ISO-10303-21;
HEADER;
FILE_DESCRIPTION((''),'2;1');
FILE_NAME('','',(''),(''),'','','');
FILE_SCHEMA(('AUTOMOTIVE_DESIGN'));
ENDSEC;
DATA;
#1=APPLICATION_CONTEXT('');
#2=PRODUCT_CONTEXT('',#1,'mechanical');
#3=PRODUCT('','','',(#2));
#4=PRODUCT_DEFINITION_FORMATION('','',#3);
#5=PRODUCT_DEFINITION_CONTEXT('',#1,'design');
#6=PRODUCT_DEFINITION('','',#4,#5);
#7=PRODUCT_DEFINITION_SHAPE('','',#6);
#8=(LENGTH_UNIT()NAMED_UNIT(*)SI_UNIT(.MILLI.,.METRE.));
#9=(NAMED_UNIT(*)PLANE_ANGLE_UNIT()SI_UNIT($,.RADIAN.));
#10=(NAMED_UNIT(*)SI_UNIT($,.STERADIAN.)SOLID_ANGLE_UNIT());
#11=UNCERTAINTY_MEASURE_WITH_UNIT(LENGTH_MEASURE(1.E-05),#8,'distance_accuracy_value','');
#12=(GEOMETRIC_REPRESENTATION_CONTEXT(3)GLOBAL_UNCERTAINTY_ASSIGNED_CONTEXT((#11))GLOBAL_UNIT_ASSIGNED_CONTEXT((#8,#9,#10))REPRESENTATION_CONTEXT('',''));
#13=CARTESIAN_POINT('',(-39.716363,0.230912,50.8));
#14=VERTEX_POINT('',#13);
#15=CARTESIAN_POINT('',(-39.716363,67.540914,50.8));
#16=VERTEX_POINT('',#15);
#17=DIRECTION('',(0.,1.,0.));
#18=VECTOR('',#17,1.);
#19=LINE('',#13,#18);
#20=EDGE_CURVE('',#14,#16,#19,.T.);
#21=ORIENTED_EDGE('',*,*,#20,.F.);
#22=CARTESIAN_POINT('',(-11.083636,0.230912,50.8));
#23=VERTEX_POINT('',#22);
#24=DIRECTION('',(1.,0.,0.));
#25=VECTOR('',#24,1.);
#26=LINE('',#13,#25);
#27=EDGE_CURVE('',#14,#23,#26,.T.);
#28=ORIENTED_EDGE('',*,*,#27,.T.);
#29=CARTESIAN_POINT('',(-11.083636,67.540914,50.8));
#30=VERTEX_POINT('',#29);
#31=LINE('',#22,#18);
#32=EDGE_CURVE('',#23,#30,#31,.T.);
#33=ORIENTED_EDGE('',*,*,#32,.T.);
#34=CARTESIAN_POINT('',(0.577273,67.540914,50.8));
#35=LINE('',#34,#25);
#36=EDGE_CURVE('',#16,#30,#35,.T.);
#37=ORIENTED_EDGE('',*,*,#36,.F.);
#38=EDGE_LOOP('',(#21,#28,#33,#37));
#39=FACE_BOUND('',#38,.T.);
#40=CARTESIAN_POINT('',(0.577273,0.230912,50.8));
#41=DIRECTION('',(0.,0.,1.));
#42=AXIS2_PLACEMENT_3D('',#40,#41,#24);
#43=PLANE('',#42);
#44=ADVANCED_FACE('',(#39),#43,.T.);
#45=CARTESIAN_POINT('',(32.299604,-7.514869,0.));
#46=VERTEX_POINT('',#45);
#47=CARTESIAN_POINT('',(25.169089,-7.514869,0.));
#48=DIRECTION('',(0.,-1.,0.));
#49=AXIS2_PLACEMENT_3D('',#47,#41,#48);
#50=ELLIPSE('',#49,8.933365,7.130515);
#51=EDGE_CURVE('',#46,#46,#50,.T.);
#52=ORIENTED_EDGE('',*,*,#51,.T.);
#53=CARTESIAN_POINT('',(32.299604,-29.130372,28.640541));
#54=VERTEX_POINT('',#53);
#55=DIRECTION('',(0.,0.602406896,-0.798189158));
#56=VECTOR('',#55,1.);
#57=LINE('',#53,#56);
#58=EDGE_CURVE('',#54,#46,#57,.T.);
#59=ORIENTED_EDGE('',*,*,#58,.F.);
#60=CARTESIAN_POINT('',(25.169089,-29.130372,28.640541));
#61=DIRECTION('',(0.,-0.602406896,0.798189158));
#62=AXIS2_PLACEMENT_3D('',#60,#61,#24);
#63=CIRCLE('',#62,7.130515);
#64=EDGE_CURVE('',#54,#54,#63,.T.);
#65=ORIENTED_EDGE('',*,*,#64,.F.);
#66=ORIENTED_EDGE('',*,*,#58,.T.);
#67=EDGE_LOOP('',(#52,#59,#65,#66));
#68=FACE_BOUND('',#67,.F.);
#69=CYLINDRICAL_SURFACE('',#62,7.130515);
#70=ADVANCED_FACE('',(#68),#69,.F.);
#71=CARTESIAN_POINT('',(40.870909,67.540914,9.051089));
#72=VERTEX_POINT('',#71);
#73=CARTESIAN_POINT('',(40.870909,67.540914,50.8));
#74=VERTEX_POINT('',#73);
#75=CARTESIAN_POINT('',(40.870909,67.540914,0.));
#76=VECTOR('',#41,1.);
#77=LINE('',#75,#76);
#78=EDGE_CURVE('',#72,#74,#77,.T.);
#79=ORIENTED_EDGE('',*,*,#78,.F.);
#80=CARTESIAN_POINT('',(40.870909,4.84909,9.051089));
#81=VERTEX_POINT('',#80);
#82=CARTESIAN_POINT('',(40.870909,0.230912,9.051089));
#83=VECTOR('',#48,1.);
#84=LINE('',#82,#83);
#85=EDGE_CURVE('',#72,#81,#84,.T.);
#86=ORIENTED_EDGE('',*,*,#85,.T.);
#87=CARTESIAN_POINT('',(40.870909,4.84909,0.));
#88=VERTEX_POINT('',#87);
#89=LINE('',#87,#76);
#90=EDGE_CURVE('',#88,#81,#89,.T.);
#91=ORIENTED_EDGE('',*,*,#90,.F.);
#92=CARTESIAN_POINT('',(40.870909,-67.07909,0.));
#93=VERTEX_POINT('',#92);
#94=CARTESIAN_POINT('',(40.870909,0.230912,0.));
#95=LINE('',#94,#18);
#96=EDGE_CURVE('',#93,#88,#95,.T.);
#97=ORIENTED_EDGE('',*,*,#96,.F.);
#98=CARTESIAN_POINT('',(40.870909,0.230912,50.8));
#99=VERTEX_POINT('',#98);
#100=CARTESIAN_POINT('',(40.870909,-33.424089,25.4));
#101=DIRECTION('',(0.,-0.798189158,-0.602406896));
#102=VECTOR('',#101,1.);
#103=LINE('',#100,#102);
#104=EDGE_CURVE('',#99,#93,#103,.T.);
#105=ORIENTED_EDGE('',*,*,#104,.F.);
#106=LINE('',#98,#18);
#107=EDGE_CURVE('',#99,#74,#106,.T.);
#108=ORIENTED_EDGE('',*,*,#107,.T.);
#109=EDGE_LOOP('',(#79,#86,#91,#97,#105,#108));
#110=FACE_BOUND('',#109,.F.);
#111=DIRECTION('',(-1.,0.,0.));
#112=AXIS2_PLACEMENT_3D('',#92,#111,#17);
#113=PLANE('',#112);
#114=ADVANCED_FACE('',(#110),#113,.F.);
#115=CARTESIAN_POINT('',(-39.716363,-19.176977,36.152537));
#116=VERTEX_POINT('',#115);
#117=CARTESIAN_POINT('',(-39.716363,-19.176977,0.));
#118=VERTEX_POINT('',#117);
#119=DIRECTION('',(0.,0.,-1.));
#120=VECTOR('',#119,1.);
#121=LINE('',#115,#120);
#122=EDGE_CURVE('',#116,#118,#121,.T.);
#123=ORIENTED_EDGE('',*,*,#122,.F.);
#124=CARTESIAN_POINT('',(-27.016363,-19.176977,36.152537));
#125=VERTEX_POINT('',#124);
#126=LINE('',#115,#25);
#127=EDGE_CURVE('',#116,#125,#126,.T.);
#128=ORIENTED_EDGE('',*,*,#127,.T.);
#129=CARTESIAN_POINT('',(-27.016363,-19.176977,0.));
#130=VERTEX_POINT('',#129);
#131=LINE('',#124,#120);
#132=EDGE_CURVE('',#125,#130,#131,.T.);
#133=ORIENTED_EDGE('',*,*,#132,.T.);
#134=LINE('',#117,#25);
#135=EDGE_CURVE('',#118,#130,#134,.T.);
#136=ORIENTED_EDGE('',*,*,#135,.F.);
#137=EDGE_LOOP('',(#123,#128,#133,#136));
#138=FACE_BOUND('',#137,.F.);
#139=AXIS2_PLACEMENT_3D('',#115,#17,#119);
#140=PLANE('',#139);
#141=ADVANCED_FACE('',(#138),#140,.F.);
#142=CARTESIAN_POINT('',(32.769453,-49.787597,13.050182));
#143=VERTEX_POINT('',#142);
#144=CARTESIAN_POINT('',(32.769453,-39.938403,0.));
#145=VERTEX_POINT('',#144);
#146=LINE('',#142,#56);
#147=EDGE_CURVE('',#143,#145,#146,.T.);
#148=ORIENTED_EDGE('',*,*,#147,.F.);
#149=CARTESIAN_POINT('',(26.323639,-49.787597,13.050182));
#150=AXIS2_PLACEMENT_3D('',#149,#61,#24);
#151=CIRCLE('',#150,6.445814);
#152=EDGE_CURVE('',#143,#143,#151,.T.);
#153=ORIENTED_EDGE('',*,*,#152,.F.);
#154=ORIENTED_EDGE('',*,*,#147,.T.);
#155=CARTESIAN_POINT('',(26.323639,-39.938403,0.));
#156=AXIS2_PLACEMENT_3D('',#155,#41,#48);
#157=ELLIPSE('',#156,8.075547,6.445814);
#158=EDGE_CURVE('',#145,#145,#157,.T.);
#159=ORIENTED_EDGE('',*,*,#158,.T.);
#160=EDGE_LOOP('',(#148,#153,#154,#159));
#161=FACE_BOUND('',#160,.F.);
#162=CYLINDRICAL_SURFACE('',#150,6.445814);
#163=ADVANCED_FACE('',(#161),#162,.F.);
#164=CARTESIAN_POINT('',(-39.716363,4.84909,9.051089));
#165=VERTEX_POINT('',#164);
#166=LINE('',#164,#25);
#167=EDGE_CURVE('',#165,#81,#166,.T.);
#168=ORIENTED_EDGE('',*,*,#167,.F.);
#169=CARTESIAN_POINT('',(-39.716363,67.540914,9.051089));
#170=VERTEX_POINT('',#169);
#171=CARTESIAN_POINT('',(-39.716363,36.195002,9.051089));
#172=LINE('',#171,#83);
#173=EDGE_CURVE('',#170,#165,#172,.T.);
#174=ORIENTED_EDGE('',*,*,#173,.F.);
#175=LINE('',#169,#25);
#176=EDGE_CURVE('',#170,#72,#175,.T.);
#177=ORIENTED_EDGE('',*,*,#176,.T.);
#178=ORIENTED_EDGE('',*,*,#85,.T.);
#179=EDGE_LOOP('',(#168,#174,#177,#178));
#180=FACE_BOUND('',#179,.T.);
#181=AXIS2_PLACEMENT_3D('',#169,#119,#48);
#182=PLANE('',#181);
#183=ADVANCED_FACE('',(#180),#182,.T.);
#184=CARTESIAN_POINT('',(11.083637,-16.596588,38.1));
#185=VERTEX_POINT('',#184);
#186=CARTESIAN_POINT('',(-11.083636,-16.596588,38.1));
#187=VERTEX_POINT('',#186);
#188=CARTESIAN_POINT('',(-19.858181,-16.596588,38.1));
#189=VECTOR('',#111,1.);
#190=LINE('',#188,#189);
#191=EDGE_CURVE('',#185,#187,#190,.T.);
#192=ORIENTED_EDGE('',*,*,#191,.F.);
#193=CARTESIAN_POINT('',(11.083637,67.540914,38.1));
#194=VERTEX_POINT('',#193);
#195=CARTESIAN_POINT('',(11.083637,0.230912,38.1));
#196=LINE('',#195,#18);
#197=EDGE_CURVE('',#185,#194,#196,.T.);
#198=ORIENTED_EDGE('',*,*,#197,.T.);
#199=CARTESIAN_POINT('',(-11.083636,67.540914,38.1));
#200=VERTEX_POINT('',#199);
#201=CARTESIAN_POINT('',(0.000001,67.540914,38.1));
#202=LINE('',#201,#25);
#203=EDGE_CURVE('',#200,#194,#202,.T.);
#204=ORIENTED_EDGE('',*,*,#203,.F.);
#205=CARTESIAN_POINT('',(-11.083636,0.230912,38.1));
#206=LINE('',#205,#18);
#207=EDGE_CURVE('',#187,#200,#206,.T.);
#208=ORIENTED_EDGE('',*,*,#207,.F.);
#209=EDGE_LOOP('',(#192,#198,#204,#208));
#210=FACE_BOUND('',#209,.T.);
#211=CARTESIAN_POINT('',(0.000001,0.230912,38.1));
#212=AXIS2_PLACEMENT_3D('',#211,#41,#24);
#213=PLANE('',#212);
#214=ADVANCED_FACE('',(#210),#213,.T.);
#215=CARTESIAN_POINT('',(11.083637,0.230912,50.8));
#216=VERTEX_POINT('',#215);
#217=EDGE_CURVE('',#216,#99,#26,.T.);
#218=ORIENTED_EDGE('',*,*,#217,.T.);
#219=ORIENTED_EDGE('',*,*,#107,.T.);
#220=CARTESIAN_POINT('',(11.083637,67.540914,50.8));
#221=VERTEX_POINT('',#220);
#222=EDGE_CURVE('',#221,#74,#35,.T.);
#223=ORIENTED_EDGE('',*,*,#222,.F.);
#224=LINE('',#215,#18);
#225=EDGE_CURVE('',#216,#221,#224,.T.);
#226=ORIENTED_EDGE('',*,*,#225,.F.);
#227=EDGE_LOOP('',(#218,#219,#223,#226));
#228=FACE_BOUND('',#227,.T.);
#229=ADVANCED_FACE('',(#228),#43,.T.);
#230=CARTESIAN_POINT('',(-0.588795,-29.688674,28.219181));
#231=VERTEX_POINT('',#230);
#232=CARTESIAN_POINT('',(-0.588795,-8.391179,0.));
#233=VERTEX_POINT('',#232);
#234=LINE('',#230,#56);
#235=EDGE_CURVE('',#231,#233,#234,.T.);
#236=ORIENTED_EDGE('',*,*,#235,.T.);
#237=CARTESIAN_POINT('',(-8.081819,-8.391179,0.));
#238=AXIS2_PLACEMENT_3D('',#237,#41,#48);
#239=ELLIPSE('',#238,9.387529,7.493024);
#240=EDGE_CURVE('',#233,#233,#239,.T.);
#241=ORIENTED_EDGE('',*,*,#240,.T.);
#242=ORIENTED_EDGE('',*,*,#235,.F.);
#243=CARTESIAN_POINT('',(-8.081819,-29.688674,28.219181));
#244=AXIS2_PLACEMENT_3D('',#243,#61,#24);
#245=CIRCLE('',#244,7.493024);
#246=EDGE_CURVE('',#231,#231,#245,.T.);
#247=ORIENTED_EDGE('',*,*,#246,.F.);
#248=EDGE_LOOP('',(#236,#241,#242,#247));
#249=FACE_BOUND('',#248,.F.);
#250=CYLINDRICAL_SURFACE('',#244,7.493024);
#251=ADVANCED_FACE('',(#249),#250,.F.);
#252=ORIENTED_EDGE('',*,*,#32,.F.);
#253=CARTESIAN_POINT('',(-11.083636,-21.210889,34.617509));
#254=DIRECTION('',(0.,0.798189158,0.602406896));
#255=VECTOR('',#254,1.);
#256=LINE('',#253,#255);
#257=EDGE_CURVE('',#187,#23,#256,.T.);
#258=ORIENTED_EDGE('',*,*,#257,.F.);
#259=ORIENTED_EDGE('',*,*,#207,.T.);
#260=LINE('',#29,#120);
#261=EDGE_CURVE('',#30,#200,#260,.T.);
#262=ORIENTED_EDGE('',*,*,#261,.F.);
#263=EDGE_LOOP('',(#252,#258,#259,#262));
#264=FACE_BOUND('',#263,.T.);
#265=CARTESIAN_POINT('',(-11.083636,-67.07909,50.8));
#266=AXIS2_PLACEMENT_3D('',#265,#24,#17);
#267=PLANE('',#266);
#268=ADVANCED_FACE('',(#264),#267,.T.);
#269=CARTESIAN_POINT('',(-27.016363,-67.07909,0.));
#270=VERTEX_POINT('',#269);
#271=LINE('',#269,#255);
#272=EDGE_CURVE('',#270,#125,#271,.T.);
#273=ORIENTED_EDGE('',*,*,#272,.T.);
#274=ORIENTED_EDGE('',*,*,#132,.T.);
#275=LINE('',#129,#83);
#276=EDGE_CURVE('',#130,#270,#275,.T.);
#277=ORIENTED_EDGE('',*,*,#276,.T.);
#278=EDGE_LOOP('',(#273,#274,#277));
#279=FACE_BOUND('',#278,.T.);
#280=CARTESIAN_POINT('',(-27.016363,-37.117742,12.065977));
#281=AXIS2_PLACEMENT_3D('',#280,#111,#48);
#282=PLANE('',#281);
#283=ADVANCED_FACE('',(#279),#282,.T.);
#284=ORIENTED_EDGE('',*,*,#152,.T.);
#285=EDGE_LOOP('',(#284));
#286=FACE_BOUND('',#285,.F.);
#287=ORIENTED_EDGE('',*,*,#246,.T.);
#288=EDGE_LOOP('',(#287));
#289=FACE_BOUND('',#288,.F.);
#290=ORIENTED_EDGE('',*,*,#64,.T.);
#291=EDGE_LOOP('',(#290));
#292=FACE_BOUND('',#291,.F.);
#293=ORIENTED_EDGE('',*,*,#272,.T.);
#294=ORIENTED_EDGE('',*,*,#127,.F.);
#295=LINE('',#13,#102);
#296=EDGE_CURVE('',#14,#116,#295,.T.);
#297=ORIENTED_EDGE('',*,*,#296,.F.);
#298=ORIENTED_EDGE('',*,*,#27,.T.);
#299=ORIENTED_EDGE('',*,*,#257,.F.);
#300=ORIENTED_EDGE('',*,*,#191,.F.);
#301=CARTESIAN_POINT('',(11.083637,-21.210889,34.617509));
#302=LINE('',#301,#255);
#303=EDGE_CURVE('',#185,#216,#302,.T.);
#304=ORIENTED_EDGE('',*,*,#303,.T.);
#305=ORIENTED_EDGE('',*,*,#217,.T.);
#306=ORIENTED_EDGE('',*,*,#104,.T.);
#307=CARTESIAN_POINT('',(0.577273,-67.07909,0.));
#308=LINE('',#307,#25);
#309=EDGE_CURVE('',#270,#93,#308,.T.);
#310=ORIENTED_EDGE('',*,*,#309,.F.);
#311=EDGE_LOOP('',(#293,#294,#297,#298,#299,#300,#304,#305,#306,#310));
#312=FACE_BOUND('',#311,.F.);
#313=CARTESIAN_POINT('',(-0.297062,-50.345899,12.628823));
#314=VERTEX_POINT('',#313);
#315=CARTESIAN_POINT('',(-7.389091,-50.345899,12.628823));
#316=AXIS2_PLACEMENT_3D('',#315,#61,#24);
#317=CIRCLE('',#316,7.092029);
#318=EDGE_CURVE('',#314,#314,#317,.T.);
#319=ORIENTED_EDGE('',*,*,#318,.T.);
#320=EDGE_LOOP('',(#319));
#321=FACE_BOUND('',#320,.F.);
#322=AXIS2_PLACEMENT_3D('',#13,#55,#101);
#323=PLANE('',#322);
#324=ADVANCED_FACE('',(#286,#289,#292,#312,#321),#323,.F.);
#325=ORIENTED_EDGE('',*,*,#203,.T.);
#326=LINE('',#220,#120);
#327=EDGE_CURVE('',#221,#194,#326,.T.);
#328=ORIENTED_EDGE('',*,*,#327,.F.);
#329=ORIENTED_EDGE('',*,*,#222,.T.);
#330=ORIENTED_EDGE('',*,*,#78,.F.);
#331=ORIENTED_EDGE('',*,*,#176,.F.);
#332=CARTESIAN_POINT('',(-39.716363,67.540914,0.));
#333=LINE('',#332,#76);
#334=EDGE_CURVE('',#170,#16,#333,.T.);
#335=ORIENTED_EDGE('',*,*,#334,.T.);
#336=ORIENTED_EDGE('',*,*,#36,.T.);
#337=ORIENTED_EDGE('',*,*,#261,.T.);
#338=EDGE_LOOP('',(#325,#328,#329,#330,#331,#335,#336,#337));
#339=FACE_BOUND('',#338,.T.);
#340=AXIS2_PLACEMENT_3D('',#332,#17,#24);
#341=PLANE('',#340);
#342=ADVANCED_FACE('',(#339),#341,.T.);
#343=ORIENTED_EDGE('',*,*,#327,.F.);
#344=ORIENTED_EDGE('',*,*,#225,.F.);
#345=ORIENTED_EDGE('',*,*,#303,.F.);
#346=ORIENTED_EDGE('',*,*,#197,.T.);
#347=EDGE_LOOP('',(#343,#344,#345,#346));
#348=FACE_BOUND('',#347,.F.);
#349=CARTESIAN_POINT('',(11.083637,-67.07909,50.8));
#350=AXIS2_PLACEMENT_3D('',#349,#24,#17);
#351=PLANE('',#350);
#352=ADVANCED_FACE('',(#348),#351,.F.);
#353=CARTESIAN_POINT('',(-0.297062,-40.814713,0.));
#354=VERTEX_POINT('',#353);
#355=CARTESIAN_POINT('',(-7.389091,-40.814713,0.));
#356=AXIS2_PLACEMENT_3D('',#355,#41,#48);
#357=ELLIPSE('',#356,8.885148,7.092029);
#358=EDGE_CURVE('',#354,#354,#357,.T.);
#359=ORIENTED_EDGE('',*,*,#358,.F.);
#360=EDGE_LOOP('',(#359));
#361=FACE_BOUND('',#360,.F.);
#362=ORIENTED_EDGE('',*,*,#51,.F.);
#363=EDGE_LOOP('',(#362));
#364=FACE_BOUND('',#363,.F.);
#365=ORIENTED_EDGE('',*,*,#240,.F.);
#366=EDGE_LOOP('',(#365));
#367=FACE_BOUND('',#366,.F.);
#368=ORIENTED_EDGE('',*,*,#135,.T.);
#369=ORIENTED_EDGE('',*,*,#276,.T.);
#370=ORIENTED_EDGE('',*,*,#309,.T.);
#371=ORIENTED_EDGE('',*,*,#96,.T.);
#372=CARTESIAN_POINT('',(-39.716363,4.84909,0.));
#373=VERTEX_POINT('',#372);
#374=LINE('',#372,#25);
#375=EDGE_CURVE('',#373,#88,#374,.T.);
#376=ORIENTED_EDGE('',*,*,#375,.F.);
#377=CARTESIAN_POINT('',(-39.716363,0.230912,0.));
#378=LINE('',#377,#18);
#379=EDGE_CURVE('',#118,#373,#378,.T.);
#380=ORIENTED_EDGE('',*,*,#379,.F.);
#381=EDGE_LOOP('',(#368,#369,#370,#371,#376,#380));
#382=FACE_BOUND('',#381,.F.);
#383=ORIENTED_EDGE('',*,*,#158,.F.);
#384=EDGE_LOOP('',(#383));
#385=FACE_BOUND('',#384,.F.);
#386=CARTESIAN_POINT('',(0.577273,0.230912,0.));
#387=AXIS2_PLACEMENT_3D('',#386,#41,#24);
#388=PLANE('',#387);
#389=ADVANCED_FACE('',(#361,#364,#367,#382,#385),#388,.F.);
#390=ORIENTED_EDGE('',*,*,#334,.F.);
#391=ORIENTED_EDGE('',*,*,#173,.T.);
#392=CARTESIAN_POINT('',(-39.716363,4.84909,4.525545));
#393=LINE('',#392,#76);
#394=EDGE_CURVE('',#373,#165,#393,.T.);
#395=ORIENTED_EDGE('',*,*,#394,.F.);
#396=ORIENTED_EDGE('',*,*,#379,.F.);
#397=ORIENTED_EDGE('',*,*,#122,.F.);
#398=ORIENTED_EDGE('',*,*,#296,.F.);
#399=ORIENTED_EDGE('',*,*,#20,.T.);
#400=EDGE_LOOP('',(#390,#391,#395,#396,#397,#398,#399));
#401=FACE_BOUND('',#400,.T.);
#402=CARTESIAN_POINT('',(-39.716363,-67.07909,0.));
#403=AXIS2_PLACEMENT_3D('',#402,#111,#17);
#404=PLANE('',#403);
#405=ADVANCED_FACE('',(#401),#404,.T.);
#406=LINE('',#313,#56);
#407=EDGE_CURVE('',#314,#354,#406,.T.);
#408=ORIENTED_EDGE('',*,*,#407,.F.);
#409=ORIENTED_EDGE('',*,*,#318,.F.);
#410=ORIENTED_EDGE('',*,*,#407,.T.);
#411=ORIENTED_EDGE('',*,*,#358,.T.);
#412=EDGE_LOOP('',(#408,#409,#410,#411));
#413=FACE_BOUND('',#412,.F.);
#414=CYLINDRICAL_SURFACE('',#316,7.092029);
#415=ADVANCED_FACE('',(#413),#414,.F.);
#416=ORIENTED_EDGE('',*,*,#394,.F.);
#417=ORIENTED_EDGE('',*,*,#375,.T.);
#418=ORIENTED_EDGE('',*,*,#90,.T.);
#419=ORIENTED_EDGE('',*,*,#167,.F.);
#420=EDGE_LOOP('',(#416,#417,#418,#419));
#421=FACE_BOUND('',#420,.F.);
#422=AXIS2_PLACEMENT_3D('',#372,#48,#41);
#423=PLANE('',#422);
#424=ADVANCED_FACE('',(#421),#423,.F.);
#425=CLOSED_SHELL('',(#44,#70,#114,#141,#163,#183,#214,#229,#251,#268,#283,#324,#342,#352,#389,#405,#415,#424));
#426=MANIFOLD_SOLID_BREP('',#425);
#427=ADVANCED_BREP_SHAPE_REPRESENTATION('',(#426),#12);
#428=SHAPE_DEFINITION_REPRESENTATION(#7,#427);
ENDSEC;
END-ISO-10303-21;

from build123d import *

# Parameters (mm, degrees)
F0_W      = 80.587271601
F0_H      = 134.6200034022
F1_DEPTH  = 50.8
F3_W      = 22.1672728658
F3_H      = 134.6200034022
F4_DEPTH  = 12.7
F5_DEPTH  = 80.588271601
F6_R      = 7.4930236149
F7_DEPTH  = 81.0970184176
F8_R      = 7.092028965
F9_DEPTH  = 81.0970184176
F10_R     = 7.1305147712
F11_DEPTH = 81.0970184176
F12_R     = 6.445813808
F13_DEPTH = 81.0970184176
F15_DEPTH = 12.7
F16_W     = 62.6918235794
F16_H     = 9.051089175
F17_DEPTH = 80.588271601


with BuildPart() as f1:
    # F0 (on Top) → F1 (new body)
    with BuildSketch(Plane.XY):
        with Locations((0.5772728473, 0.2309121192)):
            Rectangle(F0_W, F0_H)
    extrude(amount=F1_DEPTH)

    # F3 (on face) → F4 (cut)
    with BuildSketch(Plane.XY.offset(50.8)):
        with Locations((9.313e-07, 0.2309121192)):
            Rectangle(F3_W, F3_H)
    extrude(amount=-F4_DEPTH, mode=Mode.SUBTRACT)

    # F2 (on face) → F5 (cut, through all)
    with BuildSketch(Plane(origin=(-39.7163629532, 0, 0), x_dir=(0, -1, 0), z_dir=(-1, 0, 0))):
        Polygon((67.079089582, 50.8), (-0.2309121192, 50.8), (67.079089582, 0), align=None)
    extrude(amount=-F5_DEPTH, mode=Mode.SUBTRACT)

    # F6 (on face) → F7 (cut, through all)
    with BuildSketch(Plane(origin=(0, -24.3426037367, 32.2539507662), x_dir=(1, 0, 0), z_dir=(0, -0.6024068962, 0.7981891577))):
        with Locations((-8.0818189308, -6.697748322)):
            Circle(F6_R)
    extrude(amount=-F7_DEPTH, mode=Mode.SUBTRACT)

    # F8 (on face) → F9 (cut, through all)
    with BuildSketch(Plane(origin=(0, -24.3426037367, 32.2539507662), x_dir=(1, 0, 0), z_dir=(0, -0.6024068962, 0.7981891577))):
        with Locations((-7.3890909553, -32.5778611004)):
            Circle(F8_R)
    extrude(amount=-F9_DEPTH, mode=Mode.SUBTRACT)

    # F10 (on face) → F11 (cut, through all)
    with BuildSketch(Plane(origin=(0, -24.3426037367, 32.2539507662), x_dir=(1, 0, 0), z_dir=(0, -0.6024068962, 0.7981891577))):
        with Locations((25.1690894365, -5.9982873499)):
            Circle(F10_R)
    extrude(amount=-F11_DEPTH, mode=Mode.SUBTRACT)

    # F12 (on face) → F13 (cut, through all)
    with BuildSketch(Plane(origin=(0, -24.3426037367, 32.2539507662), x_dir=(1, 0, 0), z_dir=(0, -0.6024068962, 0.7981891577))):
        with Locations((26.3236388564, -31.878400594)):
            Circle(F12_R)
    extrude(amount=-F13_DEPTH, mode=Mode.SUBTRACT)

    # F14 (on face) → F15 (cut)
    with BuildSketch(Plane(origin=(-39.7163629532, 0, 0), x_dir=(0, -1, 0), z_dir=(-1, 0, 0))):
        Polygon((67.079089582, 0), (19.1769771332, 36.1525367835), (19.1769771332, 0), align=None)
    extrude(amount=-F15_DEPTH, mode=Mode.SUBTRACT)

    # F16 (on face) → F17 (cut, through all)
    with BuildSketch(Plane(origin=(-39.7163629532, 0, 0), x_dir=(0, -1, 0), z_dir=(-1, 0, 0))):
        with Locations((-36.1950020306, 4.5255445875)):
            Rectangle(F16_W, F16_H)
    extrude(amount=-F17_DEPTH, mode=Mode.SUBTRACT)


solid = f1.part
